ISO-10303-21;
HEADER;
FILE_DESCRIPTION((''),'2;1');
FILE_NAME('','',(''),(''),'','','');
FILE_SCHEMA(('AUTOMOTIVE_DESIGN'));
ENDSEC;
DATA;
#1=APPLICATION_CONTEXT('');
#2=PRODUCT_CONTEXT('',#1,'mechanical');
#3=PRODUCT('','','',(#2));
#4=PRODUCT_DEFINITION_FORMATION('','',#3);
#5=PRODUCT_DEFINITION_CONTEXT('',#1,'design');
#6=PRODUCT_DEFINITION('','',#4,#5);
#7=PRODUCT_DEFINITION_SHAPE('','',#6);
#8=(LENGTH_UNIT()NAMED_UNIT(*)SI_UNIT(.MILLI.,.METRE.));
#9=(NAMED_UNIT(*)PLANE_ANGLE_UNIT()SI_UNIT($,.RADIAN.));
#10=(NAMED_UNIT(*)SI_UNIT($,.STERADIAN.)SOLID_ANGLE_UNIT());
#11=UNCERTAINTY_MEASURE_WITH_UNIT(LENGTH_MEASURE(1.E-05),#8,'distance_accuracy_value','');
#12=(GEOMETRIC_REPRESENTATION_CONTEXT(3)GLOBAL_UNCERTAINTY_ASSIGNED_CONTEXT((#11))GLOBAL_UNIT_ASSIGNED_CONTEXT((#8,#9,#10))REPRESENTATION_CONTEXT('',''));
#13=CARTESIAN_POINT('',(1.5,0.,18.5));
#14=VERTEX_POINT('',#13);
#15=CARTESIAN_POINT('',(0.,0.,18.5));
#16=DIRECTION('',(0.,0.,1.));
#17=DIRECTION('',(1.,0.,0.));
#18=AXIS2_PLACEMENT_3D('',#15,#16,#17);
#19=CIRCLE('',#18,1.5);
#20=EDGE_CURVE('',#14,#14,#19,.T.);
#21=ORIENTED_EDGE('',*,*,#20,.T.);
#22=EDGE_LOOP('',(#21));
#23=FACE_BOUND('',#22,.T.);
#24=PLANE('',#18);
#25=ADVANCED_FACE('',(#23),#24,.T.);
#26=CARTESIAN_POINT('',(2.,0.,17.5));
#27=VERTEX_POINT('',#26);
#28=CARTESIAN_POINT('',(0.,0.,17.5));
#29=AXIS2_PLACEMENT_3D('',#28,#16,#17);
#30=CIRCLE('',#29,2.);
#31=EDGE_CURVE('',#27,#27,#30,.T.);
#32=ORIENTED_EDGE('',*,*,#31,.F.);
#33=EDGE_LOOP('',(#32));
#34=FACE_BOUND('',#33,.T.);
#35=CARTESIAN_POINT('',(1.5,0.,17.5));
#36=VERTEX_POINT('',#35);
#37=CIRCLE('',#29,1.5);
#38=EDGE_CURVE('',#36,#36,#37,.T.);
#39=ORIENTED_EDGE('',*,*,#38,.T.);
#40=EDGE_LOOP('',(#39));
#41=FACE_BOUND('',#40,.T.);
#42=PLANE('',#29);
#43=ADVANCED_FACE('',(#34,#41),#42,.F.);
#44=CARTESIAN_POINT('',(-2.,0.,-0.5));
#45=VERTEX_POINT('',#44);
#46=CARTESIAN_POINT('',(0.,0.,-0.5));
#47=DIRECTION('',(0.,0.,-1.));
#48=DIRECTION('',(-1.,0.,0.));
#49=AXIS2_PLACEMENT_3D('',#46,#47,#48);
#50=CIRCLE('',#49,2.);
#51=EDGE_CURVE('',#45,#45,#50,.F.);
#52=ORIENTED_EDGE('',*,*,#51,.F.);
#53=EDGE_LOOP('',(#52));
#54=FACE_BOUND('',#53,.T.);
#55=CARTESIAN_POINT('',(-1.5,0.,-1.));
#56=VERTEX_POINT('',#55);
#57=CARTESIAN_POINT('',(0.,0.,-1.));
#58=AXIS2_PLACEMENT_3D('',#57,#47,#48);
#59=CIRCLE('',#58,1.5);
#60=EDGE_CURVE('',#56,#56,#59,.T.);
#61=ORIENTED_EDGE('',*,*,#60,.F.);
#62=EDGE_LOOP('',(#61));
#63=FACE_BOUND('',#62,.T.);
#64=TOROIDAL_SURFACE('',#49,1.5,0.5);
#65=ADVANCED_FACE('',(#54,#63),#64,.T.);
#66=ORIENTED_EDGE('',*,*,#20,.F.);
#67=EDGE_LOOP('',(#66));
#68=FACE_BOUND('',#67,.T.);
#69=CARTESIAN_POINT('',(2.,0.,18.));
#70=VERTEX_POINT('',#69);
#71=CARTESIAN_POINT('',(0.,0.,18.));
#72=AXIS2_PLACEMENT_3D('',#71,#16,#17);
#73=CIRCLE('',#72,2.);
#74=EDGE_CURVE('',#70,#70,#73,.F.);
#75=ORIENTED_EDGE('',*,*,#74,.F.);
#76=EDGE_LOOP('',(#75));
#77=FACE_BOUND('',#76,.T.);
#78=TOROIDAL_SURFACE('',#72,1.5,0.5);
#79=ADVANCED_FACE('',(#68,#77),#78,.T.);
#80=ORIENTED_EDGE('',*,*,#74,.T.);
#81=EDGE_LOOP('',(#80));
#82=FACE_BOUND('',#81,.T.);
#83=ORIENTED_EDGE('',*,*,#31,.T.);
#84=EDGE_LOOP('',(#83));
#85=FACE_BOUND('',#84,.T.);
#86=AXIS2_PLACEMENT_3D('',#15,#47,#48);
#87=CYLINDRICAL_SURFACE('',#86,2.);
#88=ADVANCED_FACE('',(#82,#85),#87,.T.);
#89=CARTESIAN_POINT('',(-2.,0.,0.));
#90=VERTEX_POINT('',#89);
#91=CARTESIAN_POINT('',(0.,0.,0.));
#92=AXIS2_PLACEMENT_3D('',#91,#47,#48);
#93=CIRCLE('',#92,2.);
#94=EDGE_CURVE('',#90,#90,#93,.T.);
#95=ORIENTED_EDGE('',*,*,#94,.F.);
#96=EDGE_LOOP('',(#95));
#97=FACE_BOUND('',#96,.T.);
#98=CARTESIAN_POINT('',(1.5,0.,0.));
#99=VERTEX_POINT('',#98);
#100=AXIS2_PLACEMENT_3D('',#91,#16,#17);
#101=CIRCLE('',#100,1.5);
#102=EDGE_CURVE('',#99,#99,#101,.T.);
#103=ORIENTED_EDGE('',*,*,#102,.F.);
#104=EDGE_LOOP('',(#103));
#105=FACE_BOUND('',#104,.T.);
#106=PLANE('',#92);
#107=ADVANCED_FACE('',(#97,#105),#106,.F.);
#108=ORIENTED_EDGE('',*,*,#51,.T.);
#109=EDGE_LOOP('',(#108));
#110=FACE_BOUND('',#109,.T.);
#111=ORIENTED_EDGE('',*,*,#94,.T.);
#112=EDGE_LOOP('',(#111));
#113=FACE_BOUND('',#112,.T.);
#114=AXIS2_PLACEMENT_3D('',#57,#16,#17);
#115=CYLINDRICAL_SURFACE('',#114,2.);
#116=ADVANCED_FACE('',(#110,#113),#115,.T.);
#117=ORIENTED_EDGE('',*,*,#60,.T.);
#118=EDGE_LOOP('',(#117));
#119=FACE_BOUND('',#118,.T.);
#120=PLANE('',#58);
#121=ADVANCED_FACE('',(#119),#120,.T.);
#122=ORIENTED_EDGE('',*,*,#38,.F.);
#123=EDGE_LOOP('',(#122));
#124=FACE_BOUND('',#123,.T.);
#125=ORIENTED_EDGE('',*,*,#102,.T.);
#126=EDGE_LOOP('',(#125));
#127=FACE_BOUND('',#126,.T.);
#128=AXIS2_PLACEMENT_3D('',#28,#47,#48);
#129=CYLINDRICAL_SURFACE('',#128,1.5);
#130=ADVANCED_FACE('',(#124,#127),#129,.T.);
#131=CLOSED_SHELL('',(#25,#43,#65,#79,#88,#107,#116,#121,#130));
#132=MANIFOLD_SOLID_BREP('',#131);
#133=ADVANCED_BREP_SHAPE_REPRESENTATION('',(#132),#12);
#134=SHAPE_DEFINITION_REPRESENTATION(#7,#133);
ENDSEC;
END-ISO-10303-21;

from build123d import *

# Parameters (mm, degrees)
SKETCH1_R           = 1.5
BOSS_EXTRUDE1_DEPTH = 17.5
SKETCH2_R           = 2
BOSS_EXTRUDE2_DEPTH = 1
SKETCH3_R           = 2
BOSS_EXTRUDE3_DEPTH = 1
FILLET1_R           = 0.5


with BuildPart() as part:
    # Sketch1 → Boss-Extrude1 (new body)
    with BuildSketch(Plane.XY):
        Circle(SKETCH1_R)
    extrude(amount=BOSS_EXTRUDE1_DEPTH)

    # Sketch2 → Boss-Extrude2 (add)
    with BuildSketch(Plane(origin=(0, 0, 0), x_dir=(-1, 0, 0), z_dir=(0, 0, -1))):
        Circle(SKETCH2_R)
    extrude(amount=BOSS_EXTRUDE2_DEPTH)

    # Sketch3 → Boss-Extrude3 (add)
    with BuildSketch(Plane.XY.offset(17.5)):
        Circle(SKETCH3_R)
    extrude(amount=BOSS_EXTRUDE3_DEPTH)

    # Fillet1
    fillet1_edges = [part.edges().sort_by_distance(p)[0] for p in [
        (-2, 0, 18.5),
        (2, 0, -1),
    ]]
    fillet(fillet1_edges, radius=FILLET1_R)


solid = part.part
